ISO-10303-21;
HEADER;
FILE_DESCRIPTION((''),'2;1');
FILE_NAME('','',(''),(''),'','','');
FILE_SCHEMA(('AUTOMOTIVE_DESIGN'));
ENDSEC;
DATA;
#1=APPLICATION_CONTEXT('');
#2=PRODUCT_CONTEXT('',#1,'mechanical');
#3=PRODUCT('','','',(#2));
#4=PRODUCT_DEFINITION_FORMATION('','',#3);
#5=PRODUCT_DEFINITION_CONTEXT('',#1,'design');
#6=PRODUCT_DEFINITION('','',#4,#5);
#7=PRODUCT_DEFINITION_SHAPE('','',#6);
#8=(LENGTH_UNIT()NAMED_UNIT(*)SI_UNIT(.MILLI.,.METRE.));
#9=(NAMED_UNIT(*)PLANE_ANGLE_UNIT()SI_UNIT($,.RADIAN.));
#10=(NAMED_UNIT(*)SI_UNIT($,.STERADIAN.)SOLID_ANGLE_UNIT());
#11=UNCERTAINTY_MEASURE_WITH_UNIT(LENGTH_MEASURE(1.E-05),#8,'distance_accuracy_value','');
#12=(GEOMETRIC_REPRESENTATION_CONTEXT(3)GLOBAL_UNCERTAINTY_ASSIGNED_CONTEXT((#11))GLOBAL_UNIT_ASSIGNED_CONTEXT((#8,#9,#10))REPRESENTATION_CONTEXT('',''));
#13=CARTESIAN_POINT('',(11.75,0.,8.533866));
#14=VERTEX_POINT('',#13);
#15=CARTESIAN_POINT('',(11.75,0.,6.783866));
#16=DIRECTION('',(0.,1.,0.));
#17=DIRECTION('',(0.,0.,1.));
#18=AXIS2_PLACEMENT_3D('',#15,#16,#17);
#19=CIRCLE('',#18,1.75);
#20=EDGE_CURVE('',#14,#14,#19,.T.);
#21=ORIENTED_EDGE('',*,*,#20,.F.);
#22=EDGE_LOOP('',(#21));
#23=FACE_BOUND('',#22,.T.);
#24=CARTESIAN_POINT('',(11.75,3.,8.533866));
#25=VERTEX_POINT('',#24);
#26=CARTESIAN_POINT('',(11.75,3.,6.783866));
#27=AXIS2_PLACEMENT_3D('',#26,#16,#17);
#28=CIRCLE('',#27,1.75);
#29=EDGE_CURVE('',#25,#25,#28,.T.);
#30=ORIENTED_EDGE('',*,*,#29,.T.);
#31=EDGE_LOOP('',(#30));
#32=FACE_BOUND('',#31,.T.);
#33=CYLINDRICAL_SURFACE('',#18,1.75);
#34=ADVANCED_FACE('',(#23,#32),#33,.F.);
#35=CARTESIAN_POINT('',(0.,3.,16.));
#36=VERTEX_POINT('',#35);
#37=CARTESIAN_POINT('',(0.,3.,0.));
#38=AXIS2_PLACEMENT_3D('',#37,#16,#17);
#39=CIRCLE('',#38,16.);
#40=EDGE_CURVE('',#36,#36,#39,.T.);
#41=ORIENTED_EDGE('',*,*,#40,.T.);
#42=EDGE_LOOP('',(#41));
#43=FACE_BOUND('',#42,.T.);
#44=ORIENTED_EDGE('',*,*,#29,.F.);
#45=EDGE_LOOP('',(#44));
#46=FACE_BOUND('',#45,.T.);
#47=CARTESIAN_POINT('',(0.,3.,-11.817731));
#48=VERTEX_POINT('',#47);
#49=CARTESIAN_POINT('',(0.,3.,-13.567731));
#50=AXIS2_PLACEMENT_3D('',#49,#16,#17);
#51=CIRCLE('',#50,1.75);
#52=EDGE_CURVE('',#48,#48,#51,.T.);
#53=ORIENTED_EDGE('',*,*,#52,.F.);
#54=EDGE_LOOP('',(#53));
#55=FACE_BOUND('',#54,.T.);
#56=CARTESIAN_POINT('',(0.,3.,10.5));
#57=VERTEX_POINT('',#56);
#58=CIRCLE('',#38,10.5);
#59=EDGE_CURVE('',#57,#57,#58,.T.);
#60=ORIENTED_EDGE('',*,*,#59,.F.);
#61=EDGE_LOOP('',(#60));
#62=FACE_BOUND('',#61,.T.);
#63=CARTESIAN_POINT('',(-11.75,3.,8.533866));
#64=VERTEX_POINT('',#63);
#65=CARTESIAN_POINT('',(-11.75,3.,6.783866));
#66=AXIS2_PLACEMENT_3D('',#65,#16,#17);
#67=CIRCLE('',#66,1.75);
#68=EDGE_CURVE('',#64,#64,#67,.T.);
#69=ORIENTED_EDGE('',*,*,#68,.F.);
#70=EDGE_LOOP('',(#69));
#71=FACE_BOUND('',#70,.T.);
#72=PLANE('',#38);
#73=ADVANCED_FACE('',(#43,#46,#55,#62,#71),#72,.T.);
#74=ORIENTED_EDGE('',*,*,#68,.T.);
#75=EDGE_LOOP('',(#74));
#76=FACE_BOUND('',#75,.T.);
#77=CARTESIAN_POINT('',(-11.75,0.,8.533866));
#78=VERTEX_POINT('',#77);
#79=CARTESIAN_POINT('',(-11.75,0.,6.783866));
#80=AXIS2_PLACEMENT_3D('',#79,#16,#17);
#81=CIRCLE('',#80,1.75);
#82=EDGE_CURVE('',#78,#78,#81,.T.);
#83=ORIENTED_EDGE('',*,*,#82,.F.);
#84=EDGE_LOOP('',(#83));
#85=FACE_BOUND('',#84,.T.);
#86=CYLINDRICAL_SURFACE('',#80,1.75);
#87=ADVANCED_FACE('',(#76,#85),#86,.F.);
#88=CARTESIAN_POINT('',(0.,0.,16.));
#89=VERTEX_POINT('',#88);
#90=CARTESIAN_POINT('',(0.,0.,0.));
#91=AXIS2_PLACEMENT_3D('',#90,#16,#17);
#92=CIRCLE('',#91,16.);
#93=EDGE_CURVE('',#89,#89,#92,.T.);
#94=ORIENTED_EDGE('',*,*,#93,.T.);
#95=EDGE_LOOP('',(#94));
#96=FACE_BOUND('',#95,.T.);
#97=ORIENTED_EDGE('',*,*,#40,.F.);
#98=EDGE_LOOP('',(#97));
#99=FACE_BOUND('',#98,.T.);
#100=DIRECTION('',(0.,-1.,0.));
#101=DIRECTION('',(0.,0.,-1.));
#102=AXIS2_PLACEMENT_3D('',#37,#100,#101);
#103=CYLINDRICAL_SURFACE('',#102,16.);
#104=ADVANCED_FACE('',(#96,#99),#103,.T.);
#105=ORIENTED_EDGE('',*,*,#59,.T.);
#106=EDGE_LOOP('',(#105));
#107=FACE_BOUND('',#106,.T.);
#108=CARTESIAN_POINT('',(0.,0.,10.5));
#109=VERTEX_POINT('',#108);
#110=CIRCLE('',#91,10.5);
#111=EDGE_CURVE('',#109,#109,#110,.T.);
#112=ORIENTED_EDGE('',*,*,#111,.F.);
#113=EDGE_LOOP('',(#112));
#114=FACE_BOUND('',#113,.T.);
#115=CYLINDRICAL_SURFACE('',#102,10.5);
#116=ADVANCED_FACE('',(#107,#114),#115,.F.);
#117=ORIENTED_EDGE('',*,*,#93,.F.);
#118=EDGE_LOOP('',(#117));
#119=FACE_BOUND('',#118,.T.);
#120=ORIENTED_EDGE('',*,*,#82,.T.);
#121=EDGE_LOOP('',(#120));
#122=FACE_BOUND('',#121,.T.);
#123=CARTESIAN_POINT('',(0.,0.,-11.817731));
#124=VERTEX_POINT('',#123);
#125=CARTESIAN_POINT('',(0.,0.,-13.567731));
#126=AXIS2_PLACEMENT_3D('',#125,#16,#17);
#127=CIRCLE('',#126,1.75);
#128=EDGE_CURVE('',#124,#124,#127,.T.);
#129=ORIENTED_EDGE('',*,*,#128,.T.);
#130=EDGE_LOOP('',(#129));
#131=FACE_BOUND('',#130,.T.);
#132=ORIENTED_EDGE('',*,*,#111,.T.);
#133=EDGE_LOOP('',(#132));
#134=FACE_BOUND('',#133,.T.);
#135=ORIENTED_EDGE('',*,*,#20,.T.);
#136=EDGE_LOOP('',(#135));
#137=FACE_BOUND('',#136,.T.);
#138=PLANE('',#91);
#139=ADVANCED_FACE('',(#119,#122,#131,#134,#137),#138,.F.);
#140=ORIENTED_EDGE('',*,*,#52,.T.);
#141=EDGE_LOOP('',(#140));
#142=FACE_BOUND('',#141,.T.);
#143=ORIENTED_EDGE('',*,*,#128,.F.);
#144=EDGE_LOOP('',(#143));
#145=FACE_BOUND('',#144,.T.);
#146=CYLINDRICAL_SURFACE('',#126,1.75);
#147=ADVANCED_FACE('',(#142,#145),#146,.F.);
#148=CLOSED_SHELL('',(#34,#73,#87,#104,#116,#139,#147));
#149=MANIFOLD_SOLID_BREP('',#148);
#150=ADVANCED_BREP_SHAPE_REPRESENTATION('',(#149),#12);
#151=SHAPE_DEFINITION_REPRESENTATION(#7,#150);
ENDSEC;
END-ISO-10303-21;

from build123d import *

# Parameters (mm, degrees)
SKETCH1_R           = 16
SKETCH1_R_2         = 10.5
BOSS_EXTRUDE1_DEPTH = 3
SKETCH2_R           = 1.75
CUT_EXTRUDE1_DEPTH  = 23.825424421


with BuildPart() as part:
    # Sketch1 → Boss-Extrude1 (new body)
    with BuildSketch(Plane(origin=(0, 0, 0), x_dir=(1, 0, 0), z_dir=(0, 1, 0))):
        with Locations(Location((0, 0, 0), (0, 0, 270))):
            Circle(SKETCH1_R)
        with Locations(Location((0, 0, 0), (0, 0, 270))):
            Circle(SKETCH1_R_2, mode=Mode.SUBTRACT)
    extrude(amount=BOSS_EXTRUDE1_DEPTH)

    # Sketch2 → Cut-Extrude1 (cut, through all)
    with BuildSketch(Plane(origin=(0, 3, 0), x_dir=(1, 0, 0), z_dir=(0, 1, 0))):
        with Locations(Location((0, 13.567731326, 0), (0, 0, 270))):
            Circle(SKETCH2_R)
        with Locations(Location((-11.75, -6.783865663, 0), (0, 0, 270))):
            Circle(SKETCH2_R)
        with Locations(Location((11.75, -6.783865663, 0), (0, 0, 270))):
            Circle(SKETCH2_R)
    extrude(amount=-CUT_EXTRUDE1_DEPTH, mode=Mode.SUBTRACT)


solid = part.part
